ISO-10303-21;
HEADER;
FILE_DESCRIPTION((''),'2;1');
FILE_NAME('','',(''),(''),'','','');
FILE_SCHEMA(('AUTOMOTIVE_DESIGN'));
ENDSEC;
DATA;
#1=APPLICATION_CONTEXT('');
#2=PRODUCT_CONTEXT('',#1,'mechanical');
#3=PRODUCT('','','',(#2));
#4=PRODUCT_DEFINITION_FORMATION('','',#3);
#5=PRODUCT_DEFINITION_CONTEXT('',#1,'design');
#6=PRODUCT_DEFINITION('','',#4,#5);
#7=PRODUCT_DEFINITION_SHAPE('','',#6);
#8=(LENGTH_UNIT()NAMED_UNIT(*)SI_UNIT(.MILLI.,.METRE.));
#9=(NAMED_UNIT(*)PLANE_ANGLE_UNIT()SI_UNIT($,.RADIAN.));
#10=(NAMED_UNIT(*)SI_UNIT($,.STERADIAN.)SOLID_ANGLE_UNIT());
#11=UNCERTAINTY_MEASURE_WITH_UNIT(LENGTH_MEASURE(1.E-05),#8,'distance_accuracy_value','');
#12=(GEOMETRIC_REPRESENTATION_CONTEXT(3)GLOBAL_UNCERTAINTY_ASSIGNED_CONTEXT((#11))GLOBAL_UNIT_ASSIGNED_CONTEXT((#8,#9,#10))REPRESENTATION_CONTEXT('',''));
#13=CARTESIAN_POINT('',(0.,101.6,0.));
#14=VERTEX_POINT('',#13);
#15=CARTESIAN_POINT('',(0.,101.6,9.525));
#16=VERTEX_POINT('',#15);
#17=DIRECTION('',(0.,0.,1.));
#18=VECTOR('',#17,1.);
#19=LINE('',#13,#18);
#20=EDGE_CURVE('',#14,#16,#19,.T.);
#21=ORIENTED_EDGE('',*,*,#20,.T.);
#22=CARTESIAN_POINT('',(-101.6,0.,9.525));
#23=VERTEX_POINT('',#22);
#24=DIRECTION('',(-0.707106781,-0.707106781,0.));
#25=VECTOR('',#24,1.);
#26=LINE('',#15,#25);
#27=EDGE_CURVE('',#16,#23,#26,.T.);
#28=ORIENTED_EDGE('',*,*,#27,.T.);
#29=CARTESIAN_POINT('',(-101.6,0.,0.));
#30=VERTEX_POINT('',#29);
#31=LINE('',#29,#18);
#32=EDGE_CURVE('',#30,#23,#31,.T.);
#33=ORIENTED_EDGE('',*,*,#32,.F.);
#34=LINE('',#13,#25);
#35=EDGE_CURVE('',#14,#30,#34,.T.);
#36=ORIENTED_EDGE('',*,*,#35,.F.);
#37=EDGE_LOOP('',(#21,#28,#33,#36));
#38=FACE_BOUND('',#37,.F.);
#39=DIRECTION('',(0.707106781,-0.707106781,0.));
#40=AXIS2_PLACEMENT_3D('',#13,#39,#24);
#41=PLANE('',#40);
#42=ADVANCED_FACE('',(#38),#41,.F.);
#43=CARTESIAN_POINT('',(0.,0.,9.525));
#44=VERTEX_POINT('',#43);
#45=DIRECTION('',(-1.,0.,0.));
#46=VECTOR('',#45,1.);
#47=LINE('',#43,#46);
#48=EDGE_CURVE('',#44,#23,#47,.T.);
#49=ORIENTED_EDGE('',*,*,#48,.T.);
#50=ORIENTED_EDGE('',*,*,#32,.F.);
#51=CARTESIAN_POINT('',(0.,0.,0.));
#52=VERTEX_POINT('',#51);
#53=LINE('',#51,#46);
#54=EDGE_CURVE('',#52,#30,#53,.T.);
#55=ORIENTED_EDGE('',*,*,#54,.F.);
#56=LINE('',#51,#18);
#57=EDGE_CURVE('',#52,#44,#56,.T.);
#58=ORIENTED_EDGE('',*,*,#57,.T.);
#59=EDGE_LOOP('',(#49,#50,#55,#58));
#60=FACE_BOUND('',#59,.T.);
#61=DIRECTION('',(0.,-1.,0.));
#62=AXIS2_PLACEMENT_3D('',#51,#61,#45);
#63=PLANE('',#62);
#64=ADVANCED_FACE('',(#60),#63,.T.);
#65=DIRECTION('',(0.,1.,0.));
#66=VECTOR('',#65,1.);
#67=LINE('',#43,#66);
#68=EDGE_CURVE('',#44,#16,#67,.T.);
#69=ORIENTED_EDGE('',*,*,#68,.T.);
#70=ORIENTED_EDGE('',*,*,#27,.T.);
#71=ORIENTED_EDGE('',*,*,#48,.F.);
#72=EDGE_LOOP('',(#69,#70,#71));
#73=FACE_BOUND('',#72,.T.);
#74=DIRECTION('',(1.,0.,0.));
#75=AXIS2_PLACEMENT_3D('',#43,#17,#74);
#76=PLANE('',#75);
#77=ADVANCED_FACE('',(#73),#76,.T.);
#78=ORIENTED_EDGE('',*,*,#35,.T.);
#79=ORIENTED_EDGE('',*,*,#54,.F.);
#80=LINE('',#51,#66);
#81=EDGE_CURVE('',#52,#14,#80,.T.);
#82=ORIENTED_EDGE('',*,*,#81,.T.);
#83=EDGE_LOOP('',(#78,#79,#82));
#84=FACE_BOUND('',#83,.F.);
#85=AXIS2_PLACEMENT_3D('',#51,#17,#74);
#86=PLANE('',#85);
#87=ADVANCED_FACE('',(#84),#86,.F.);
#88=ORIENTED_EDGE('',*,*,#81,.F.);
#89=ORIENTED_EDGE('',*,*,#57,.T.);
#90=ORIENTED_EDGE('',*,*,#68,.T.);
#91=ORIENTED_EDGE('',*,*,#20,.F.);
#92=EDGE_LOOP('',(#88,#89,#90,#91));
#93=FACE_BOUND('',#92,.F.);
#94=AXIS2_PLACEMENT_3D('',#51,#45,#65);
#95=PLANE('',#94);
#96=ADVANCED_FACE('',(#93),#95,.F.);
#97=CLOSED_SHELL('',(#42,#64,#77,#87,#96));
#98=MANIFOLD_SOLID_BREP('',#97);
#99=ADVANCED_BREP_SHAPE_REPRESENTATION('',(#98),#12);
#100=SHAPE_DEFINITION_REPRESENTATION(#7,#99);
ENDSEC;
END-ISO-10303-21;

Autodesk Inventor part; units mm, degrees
ref_plane "YZ Plane" through (0, 0, 0) normal (1, 0, 0) x (0, 1, 0)
ref_plane "XZ Plane" through (0, 0, 0) normal (0, 1, 0) x (-1, 0, 0)
ref_plane "XY Plane" through (0, 0, 0) normal (0, 0, 1) x (1, 0, 0)
sketch "Sketch1" plane through (0, 0, 0) normal (0, 0, 1) x (1, 0, 0)
  line L0 (0, 0) -> (-101.6, 0)
  line L1 (0, 0) -> (0, 101.6)
  line L2 (0, 101.6) -> (-101.6, 0)
  dimension "d29" = 101.6
  dimension "d30" = 101.6
extrude "Plate1" add sketch "Sketch1" along normal blind 9.525
equation "\"d30\" = d29"
equation "\"d15\" = Thickness"
equation "\"BendReliefWidth\" = Thickness"
equation "\"BendReliefDepth\" = 0.5 * Thickness"
equation "\"CornerReliefSize\" = 4 * Thickness"
equation "\"MinimumRemnant\" = 2 * Thickness"
equation "\"TransitionRadius\" = BendRadius"
equation "\"JacobiRadiusSize\" = Thickness"
equation "\"GapSize\" = Thickness"
equation "\"Thickness\" = 9.525"
equation "\"BendRadius\" = 13.208"
properties part number "Model-3_Sheet Stifferner" material "SS304"
